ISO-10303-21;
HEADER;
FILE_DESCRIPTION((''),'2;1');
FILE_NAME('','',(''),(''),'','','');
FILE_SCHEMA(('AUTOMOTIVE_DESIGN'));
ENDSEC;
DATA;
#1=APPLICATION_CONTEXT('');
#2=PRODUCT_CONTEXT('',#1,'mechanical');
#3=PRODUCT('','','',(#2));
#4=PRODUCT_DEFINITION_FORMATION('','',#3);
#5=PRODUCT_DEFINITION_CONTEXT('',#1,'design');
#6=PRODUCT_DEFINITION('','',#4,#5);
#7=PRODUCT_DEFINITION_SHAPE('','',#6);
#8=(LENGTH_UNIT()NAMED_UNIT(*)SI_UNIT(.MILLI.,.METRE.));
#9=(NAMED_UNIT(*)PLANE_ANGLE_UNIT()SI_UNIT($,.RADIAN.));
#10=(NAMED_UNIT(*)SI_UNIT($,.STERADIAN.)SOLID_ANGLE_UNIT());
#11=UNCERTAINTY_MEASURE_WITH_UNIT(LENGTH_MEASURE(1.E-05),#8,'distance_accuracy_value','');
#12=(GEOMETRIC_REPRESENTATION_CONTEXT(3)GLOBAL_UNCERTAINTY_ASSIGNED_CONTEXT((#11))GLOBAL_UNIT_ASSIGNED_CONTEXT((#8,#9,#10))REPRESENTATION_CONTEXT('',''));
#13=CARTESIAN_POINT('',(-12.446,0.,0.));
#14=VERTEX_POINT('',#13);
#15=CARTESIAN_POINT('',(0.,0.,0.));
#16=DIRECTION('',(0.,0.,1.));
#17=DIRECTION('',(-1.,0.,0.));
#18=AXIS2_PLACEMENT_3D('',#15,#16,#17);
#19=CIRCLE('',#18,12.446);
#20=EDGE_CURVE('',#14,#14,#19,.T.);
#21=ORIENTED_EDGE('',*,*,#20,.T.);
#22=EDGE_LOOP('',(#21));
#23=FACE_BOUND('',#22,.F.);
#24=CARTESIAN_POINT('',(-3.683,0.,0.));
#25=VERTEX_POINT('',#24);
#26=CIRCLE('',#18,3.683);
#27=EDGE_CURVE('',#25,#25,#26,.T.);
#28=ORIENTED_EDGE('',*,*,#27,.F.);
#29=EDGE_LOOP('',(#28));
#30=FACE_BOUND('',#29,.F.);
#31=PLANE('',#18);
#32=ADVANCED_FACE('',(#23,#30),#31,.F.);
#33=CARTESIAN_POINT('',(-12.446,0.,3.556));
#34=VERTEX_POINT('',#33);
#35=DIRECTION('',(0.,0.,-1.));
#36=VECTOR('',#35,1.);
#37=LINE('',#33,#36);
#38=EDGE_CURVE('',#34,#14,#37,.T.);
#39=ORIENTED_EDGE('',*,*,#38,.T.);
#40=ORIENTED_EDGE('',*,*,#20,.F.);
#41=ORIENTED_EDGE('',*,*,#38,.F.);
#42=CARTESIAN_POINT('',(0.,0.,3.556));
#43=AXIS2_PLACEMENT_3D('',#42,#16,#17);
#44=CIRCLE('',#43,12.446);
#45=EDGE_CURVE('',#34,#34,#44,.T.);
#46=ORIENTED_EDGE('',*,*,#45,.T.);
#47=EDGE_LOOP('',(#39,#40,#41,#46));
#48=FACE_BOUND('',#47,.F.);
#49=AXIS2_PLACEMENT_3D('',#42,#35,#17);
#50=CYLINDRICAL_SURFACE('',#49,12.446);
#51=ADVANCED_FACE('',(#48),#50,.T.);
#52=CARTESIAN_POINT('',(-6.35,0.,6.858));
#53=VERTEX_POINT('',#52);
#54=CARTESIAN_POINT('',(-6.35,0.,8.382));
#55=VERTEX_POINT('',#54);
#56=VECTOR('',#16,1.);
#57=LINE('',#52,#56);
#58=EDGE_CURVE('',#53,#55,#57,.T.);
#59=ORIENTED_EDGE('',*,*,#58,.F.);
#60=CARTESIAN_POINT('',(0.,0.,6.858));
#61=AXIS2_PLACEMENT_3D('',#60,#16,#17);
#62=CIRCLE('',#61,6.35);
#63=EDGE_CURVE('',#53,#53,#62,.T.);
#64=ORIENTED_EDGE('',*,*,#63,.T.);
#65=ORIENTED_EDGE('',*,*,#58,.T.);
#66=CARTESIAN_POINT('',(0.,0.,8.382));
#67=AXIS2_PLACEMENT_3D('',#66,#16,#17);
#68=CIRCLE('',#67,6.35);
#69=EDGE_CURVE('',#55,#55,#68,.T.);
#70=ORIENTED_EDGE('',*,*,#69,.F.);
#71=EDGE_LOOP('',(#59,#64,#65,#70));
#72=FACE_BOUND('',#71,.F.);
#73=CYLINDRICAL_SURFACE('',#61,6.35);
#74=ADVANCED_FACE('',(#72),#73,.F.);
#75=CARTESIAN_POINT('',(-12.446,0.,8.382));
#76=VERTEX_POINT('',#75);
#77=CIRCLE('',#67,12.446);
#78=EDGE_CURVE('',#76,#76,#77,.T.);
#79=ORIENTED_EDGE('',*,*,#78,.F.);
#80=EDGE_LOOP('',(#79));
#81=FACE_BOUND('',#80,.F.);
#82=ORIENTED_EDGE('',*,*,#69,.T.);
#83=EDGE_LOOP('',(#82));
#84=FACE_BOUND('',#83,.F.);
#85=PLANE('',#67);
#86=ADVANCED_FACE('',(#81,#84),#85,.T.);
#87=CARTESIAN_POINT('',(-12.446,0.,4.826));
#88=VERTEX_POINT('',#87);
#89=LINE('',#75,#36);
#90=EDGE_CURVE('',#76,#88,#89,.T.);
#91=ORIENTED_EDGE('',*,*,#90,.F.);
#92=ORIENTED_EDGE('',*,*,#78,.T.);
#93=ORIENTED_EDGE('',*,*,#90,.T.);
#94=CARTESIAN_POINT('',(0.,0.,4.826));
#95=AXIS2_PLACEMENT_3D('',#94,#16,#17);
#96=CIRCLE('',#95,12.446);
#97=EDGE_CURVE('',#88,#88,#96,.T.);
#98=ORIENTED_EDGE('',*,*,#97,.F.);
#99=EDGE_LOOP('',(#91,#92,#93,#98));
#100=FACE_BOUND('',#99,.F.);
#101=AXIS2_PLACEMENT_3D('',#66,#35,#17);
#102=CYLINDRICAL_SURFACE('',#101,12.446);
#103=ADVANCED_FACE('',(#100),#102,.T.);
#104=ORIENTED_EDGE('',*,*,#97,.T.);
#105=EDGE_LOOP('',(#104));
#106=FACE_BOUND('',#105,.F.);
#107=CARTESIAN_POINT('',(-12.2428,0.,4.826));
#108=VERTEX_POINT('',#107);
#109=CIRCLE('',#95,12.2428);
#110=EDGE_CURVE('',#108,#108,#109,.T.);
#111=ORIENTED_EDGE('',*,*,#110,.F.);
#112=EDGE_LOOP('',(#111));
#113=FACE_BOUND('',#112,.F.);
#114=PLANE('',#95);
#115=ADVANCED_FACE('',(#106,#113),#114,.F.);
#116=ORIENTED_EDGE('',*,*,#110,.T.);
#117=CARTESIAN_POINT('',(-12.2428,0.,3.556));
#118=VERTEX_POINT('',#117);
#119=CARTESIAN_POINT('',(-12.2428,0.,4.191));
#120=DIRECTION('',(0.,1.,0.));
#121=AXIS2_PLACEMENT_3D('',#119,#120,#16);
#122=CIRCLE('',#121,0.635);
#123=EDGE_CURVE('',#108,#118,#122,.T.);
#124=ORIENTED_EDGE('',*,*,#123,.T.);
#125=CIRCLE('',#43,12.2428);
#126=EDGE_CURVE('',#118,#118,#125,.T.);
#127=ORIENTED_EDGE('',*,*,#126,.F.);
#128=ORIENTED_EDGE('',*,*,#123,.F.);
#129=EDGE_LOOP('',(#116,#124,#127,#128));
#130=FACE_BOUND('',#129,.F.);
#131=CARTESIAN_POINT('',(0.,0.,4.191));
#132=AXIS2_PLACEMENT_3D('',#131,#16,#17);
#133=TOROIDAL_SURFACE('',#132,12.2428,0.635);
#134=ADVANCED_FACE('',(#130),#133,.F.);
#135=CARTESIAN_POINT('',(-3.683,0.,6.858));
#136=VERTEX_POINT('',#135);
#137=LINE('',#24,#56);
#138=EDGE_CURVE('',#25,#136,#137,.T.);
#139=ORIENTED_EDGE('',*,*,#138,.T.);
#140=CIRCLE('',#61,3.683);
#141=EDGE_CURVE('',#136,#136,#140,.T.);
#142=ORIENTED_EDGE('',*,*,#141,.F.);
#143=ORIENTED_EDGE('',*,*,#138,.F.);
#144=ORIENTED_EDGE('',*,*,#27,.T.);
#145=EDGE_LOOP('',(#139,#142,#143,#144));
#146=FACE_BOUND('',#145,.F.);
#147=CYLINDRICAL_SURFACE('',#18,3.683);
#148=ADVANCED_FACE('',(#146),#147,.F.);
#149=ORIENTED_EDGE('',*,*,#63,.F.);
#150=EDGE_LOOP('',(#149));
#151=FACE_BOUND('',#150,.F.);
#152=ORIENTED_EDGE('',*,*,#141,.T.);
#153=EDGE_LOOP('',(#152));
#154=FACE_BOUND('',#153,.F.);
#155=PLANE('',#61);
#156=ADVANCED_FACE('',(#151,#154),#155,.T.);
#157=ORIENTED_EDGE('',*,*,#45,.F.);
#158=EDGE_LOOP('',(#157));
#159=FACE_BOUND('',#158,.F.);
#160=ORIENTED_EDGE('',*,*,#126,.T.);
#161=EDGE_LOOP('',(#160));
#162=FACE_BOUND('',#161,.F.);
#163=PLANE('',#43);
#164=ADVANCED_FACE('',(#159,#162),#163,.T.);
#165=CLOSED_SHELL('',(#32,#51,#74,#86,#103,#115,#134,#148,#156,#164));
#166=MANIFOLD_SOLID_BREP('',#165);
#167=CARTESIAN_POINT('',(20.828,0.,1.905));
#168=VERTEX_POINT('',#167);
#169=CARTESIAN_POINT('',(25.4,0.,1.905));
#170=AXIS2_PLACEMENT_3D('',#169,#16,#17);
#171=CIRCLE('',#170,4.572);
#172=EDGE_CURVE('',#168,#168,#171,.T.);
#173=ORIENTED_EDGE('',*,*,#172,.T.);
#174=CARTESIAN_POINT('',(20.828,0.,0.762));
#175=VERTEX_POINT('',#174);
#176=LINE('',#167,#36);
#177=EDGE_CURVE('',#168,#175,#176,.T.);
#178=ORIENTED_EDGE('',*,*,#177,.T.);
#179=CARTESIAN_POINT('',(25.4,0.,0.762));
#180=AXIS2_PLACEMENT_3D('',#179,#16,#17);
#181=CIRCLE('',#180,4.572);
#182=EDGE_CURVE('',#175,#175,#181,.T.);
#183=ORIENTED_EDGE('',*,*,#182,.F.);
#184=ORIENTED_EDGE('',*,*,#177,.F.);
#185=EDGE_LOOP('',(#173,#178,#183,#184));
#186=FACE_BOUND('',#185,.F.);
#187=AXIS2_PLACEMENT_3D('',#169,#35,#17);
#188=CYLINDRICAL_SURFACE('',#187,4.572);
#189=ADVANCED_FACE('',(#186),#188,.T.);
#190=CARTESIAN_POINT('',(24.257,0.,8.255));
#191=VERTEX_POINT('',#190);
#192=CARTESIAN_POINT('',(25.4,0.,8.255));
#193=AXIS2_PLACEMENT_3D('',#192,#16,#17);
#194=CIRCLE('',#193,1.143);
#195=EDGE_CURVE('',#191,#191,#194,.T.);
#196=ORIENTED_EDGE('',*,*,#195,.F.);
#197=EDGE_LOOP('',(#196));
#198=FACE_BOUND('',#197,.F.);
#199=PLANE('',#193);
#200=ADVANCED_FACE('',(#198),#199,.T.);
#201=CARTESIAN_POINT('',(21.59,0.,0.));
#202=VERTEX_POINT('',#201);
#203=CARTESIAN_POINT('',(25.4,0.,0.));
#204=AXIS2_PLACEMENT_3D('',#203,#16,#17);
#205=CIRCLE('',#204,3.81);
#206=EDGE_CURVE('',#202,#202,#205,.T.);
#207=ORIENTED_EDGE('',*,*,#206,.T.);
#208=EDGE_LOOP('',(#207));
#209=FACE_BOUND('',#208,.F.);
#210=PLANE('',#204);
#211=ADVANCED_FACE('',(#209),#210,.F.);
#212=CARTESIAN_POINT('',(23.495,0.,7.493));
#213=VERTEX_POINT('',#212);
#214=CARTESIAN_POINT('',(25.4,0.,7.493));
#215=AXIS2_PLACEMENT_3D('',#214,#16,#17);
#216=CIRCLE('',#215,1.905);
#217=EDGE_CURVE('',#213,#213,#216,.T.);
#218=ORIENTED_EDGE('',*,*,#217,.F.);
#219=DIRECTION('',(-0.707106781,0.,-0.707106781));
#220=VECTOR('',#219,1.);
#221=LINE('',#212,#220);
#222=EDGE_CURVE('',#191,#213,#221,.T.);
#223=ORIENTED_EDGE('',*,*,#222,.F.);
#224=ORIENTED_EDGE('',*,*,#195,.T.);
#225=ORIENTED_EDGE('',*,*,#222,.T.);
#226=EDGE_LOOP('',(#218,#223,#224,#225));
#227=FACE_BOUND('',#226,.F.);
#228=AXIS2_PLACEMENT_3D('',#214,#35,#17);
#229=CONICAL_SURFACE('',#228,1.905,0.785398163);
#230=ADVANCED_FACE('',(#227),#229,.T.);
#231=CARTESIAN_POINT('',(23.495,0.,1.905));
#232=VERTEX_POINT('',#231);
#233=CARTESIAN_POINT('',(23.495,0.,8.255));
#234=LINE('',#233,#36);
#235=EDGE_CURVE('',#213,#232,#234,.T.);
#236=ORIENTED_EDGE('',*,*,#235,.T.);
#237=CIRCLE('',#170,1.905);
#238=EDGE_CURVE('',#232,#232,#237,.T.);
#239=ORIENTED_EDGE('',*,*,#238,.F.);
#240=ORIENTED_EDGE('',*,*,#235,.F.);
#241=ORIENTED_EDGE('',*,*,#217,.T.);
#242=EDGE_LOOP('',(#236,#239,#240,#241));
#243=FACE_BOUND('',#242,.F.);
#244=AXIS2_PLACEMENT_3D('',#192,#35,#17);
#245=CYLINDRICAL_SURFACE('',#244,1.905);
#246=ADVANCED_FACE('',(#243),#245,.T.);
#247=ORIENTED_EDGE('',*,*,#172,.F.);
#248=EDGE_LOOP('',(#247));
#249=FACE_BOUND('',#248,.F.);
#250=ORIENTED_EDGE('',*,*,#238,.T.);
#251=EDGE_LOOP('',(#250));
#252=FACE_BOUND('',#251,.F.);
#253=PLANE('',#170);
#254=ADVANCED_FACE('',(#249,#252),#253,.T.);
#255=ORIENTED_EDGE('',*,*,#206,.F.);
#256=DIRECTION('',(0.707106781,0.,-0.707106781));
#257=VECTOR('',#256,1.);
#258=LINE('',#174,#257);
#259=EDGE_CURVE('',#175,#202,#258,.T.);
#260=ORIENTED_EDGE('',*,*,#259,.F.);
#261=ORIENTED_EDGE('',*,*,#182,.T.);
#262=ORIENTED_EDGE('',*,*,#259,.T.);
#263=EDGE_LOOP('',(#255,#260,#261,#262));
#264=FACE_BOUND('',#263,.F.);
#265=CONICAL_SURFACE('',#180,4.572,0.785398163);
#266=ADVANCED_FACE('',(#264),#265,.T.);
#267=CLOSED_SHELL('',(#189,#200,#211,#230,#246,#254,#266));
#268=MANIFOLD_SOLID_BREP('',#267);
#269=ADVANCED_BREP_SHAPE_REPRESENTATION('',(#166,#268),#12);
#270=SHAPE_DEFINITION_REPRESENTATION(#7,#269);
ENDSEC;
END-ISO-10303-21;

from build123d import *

# Parameters (mm, degrees)
F4_SIZE = 0.762


with BuildPart() as f2:
    # F0 (on Front) → F2 (revolve)
    with BuildSketch(Plane.XZ):
        with BuildLine():
            Line((-12.446, 0), (-3.683, 0))
            Line((-3.683, 0), (-3.683, 6.858))
            Line((-3.683, 6.858), (-6.35, 6.858))
            Line((-6.35, 6.858), (-6.35, 8.382))
            Line((-6.35, 8.382), (-12.446, 8.382))
            Line((-12.446, 8.382), (-12.446, 4.826))
            Line((-12.446, 4.826), (-12.2428, 4.826))
            ThreePointArc((-12.2428, 4.826), (-11.6078, 4.191), (-12.2428, 3.556))
            Line((-12.2428, 3.556), (-12.446, 3.556))
            Line((-12.446, 3.556), (-12.446, 0))
        make_face()
    revolve(axis=Axis((0, 0, 8.2818850817), (0, 0, 1)))


with BuildPart() as f3:
    # F1 (on Front) → F3 (revolve)
    with BuildSketch(Plane.XZ):
        Polygon((20.828, 1.905), (20.828, 0), (25.4, 0), (25.4, 8.255), (23.495, 8.255), (23.495, 1.905), align=None)
    revolve(axis=Axis((25.4, 0, 4.1275), (0, 0, 1)))

    # F4
    f4_edges = [f3.edges().sort_by_distance(p)[0] for p in [
        (27.305, 0, 8.255),
        (29.972, 0, 0),
    ]]
    chamfer(f4_edges, length=F4_SIZE)


solid = Compound([f2.part, f3.part])
